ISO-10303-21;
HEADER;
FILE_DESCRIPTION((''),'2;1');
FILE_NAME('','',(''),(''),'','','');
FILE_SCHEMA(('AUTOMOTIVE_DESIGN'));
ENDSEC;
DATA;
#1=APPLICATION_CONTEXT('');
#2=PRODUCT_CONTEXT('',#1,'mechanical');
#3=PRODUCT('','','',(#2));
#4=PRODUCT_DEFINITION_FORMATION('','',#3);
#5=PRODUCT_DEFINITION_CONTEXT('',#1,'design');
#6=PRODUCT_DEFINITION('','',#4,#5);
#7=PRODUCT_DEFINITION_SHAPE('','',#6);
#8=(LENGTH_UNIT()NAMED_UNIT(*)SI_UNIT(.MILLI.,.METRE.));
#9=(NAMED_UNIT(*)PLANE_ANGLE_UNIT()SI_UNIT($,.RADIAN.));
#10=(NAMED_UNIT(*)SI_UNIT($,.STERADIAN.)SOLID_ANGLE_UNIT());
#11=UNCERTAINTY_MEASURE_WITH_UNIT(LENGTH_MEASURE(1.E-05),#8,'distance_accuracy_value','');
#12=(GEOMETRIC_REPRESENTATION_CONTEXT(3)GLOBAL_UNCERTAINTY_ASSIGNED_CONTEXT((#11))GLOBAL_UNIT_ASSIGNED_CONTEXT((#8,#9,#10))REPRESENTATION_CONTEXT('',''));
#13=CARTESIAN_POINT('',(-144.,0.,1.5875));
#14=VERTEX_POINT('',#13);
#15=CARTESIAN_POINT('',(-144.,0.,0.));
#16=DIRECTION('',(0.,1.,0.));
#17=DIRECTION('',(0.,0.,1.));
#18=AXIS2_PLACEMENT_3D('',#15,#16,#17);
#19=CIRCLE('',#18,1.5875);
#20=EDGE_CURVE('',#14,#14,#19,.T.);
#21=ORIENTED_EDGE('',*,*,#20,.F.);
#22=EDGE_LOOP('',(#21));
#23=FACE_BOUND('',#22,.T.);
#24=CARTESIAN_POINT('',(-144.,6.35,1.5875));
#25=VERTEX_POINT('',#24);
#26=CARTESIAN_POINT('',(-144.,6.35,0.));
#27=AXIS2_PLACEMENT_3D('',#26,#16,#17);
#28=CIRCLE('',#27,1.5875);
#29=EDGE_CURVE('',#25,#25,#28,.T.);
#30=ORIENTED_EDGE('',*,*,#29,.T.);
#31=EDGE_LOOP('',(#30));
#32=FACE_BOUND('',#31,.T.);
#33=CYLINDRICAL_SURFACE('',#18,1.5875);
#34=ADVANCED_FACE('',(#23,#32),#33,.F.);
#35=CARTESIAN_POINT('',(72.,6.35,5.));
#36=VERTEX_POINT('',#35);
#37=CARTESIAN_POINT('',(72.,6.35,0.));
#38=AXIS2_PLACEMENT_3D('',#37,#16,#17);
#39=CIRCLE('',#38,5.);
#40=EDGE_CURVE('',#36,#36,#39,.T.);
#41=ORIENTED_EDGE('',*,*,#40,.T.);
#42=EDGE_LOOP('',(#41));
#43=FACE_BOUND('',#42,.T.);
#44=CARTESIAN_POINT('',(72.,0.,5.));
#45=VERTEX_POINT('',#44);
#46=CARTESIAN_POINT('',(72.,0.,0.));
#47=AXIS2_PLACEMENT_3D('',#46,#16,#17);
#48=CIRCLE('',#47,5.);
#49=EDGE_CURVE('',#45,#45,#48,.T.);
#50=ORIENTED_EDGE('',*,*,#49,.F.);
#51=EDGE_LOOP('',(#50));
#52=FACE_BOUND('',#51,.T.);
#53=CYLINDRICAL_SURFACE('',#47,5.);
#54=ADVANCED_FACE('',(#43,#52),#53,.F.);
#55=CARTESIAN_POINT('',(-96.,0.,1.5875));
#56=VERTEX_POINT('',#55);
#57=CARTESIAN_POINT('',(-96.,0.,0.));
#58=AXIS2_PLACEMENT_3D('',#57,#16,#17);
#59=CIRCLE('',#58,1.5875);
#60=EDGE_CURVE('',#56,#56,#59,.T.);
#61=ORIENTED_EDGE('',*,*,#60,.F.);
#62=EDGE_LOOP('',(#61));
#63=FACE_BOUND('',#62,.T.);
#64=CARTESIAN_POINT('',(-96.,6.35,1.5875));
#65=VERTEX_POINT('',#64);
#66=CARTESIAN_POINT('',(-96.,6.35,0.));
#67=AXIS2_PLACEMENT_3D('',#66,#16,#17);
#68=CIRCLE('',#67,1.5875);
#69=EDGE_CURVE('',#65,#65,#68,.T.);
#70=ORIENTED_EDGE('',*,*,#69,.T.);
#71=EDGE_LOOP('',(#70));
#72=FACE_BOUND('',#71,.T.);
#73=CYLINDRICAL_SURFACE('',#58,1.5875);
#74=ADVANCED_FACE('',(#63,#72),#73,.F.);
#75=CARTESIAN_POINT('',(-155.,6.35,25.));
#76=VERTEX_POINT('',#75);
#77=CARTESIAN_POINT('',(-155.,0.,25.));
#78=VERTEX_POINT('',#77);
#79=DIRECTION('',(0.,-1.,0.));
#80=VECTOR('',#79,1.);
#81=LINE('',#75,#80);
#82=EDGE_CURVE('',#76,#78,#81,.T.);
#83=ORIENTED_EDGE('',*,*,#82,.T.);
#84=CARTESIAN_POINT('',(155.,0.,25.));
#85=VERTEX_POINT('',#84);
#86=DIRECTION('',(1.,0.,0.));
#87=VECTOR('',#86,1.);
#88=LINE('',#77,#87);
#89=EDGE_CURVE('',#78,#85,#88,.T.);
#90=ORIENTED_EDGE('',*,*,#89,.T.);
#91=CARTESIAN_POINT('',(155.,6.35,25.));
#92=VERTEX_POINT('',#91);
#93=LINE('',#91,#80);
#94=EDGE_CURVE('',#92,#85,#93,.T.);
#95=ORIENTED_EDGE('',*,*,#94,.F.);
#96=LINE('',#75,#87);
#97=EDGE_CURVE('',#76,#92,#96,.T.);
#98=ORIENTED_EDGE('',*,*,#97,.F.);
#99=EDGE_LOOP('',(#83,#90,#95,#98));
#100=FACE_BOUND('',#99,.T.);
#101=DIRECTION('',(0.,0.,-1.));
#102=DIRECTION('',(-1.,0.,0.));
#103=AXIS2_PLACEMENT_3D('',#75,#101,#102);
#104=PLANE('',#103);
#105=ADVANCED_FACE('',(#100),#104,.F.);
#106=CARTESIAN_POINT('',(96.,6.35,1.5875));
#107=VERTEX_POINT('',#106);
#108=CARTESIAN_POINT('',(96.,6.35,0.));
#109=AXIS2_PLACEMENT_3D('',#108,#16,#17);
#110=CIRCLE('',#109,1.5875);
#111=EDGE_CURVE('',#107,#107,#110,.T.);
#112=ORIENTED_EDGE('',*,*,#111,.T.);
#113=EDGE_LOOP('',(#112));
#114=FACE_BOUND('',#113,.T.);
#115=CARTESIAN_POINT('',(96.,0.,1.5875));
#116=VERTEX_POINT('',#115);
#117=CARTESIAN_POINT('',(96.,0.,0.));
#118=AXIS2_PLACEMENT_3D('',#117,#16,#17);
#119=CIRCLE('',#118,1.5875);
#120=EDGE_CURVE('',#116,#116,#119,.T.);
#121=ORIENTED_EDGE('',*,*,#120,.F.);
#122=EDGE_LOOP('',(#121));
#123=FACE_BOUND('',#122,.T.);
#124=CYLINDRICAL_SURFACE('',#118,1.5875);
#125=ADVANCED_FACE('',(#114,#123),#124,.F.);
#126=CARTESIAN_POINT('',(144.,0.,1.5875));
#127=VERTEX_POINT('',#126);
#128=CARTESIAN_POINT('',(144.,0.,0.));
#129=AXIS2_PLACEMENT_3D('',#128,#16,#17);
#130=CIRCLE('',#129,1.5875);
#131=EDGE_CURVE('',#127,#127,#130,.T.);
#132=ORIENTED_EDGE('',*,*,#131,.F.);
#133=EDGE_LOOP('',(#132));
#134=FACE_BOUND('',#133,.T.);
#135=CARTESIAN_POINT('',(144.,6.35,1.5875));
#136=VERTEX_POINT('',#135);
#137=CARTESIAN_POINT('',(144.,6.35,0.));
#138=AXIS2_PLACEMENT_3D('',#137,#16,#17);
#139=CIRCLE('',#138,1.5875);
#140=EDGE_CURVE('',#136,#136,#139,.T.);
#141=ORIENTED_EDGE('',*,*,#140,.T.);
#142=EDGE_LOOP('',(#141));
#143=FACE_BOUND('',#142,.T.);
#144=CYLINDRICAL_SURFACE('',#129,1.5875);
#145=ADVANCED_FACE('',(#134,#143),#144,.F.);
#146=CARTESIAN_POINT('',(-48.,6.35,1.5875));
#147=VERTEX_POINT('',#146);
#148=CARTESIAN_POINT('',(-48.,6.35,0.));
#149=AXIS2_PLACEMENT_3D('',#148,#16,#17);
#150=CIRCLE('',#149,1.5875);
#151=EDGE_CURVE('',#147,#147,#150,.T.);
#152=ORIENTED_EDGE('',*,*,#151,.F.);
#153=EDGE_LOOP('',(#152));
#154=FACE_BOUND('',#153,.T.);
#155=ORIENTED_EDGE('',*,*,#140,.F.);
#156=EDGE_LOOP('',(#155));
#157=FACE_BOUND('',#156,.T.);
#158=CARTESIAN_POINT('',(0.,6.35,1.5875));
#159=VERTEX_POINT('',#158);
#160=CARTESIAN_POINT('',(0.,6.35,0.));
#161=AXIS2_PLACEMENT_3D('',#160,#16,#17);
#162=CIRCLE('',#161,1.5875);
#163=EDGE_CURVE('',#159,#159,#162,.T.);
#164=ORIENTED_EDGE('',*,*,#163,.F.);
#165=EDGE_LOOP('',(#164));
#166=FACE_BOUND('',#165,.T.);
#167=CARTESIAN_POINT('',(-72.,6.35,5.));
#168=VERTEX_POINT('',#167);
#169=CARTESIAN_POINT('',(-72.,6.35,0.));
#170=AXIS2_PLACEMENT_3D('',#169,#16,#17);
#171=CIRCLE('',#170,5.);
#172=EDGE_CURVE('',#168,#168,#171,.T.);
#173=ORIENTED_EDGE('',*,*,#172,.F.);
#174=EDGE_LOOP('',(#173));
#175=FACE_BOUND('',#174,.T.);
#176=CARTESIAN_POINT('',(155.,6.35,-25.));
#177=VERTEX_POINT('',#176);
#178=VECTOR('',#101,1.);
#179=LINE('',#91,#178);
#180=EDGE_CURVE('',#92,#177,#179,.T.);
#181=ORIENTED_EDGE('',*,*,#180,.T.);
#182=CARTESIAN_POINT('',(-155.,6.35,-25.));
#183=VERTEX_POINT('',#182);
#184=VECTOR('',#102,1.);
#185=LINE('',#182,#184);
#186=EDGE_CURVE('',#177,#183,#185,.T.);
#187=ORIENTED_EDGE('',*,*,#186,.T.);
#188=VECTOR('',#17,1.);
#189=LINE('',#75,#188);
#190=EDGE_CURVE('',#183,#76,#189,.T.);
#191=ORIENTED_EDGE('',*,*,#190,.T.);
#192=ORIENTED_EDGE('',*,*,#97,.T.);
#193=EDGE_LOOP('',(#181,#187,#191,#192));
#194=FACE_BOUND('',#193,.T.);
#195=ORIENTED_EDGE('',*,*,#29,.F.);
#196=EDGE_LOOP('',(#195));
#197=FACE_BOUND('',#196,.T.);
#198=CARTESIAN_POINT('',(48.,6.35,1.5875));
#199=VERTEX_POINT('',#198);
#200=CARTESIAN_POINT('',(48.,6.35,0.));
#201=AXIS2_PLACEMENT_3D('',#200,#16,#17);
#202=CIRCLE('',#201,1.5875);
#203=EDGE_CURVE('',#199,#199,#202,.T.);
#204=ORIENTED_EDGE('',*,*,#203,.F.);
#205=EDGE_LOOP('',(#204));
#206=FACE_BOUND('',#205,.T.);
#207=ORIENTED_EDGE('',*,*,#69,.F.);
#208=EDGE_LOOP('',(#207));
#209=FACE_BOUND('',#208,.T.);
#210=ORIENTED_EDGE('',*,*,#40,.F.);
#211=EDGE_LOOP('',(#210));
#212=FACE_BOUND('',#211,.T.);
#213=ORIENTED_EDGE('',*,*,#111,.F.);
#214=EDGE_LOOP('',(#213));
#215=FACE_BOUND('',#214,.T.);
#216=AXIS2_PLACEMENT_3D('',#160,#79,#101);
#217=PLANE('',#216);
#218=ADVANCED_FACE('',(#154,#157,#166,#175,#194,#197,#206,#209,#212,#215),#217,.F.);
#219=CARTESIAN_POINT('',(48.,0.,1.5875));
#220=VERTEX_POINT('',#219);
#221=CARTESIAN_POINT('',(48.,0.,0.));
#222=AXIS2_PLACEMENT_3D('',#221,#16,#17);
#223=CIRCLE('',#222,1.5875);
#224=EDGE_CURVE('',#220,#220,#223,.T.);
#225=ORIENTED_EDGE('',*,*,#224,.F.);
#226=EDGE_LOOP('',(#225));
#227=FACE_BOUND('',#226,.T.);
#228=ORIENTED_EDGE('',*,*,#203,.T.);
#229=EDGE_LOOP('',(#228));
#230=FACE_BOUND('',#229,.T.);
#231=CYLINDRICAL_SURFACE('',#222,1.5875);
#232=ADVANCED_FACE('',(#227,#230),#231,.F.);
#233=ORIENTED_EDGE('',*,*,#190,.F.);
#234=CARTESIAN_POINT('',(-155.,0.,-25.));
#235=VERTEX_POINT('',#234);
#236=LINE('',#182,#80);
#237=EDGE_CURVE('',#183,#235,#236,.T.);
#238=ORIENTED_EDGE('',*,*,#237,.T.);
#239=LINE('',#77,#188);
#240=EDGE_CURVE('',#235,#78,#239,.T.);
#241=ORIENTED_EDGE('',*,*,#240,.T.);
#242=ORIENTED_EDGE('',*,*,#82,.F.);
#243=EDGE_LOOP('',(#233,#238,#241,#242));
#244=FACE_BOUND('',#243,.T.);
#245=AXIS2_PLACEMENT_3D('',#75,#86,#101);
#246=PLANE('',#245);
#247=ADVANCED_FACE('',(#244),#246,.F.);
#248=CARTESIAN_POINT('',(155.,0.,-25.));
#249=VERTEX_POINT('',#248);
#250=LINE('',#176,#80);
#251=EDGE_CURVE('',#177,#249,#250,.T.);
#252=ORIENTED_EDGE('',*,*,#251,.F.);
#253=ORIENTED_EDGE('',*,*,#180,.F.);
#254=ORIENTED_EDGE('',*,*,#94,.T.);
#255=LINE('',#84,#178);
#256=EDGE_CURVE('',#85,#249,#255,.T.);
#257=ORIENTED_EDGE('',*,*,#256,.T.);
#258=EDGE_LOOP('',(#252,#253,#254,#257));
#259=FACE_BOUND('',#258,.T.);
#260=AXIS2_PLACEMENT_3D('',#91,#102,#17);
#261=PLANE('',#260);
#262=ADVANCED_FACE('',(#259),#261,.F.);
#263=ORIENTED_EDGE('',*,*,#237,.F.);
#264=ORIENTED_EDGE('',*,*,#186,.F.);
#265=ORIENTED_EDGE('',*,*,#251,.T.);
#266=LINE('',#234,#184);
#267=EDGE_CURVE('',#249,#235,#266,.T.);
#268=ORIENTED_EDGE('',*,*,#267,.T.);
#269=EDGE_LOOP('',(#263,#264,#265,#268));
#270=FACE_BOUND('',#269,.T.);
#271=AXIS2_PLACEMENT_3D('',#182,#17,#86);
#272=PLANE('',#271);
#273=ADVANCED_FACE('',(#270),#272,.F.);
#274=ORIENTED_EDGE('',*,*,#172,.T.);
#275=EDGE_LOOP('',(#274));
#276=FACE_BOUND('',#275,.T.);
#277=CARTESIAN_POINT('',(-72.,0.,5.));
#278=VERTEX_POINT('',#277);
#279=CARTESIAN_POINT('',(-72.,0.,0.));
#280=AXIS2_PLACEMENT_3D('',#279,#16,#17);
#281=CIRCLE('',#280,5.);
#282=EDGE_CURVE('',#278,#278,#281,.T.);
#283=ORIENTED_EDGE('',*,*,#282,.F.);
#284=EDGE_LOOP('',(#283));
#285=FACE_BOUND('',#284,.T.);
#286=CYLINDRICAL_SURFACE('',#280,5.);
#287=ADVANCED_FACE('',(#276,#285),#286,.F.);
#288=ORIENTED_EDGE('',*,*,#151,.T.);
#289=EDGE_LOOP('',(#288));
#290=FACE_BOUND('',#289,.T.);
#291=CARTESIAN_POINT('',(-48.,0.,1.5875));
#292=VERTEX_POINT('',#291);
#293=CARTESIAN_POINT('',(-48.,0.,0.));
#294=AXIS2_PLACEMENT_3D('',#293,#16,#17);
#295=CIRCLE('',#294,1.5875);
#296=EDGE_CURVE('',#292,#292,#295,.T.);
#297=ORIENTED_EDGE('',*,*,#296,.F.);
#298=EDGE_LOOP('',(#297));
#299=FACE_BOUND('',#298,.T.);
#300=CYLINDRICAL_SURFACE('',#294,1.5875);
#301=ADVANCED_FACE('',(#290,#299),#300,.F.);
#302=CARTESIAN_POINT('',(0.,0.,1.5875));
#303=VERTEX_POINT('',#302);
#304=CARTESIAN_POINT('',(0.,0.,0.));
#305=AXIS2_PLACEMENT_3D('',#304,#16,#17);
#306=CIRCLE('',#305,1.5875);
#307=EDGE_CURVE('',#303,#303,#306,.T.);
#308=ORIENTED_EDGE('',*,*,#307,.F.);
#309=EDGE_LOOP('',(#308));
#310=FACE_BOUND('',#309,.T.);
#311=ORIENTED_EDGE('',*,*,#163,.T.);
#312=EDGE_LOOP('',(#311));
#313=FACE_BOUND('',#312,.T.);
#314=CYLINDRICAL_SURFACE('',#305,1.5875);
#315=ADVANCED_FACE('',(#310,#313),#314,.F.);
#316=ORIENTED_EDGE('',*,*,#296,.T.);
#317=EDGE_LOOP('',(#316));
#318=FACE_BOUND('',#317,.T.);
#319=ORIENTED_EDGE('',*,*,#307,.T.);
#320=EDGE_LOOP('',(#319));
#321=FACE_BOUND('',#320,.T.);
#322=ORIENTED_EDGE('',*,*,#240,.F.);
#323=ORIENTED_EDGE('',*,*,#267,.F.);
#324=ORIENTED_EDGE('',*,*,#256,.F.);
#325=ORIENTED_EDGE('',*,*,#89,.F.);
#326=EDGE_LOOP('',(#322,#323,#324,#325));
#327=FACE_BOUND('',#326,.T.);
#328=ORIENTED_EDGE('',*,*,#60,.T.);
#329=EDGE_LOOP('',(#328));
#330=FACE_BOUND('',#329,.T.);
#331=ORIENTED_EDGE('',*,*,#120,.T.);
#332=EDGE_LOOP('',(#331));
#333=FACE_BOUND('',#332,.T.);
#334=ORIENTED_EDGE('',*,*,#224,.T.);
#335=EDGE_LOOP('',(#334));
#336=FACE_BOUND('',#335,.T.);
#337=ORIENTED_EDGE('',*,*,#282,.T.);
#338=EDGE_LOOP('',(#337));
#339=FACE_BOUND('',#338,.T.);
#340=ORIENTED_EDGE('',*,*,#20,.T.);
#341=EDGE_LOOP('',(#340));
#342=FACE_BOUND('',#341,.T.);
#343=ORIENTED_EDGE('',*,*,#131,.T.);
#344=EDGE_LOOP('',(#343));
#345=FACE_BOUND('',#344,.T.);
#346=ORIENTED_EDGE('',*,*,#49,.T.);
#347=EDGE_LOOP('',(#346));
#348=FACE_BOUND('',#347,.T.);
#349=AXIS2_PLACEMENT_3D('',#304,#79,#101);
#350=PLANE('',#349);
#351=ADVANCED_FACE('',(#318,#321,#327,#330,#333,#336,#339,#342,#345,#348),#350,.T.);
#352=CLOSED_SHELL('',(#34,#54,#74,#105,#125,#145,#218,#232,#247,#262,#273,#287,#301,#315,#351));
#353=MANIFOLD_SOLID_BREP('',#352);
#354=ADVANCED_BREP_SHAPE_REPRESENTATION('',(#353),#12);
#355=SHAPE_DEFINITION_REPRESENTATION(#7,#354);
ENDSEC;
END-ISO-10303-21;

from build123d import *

# Parameters (mm, degrees)
CROQUIS1_W              = 310
CROQUIS1_H              = 50
SALIENTE_EXTRUIR1_DEPTH = 6.35
CROQUIS2_R              = 1.5875
CROQUIS2_R_2            = 5
CORTAR_EXTRUIR3_DEPTH   = 7.35


with BuildPart() as part:
    # Croquis1 → Saliente-Extruir1 (new body)
    with BuildSketch(Plane(origin=(0, 0, 0), x_dir=(1, 0, 0), z_dir=(0, 1, 0))):
        Rectangle(CROQUIS1_W, CROQUIS1_H)
    extrude(amount=SALIENTE_EXTRUIR1_DEPTH)

    # Croquis2 → Cortar-Extruir3 (cut, through all)
    with BuildSketch(Plane(origin=(0, 6.35, 0), x_dir=(1, 0, 0), z_dir=(0, 1, 0))):
        Circle(CROQUIS2_R)
        with Locations((-144, 0)):
            Circle(CROQUIS2_R)
        with Locations((144, 0)):
            Circle(CROQUIS2_R)
        with Locations((48, 0)):
            Circle(CROQUIS2_R)
        with Locations((96, 0)):
            Circle(CROQUIS2_R)
        with Locations((-48, 0)):
            Circle(CROQUIS2_R)
        with Locations((-96, 0)):
            Circle(CROQUIS2_R)
        with Locations((-72, 0)):
            Circle(CROQUIS2_R_2)
        with Locations((72, 0)):
            Circle(CROQUIS2_R_2)
    extrude(amount=-CORTAR_EXTRUIR3_DEPTH, mode=Mode.SUBTRACT)


solid = part.part
